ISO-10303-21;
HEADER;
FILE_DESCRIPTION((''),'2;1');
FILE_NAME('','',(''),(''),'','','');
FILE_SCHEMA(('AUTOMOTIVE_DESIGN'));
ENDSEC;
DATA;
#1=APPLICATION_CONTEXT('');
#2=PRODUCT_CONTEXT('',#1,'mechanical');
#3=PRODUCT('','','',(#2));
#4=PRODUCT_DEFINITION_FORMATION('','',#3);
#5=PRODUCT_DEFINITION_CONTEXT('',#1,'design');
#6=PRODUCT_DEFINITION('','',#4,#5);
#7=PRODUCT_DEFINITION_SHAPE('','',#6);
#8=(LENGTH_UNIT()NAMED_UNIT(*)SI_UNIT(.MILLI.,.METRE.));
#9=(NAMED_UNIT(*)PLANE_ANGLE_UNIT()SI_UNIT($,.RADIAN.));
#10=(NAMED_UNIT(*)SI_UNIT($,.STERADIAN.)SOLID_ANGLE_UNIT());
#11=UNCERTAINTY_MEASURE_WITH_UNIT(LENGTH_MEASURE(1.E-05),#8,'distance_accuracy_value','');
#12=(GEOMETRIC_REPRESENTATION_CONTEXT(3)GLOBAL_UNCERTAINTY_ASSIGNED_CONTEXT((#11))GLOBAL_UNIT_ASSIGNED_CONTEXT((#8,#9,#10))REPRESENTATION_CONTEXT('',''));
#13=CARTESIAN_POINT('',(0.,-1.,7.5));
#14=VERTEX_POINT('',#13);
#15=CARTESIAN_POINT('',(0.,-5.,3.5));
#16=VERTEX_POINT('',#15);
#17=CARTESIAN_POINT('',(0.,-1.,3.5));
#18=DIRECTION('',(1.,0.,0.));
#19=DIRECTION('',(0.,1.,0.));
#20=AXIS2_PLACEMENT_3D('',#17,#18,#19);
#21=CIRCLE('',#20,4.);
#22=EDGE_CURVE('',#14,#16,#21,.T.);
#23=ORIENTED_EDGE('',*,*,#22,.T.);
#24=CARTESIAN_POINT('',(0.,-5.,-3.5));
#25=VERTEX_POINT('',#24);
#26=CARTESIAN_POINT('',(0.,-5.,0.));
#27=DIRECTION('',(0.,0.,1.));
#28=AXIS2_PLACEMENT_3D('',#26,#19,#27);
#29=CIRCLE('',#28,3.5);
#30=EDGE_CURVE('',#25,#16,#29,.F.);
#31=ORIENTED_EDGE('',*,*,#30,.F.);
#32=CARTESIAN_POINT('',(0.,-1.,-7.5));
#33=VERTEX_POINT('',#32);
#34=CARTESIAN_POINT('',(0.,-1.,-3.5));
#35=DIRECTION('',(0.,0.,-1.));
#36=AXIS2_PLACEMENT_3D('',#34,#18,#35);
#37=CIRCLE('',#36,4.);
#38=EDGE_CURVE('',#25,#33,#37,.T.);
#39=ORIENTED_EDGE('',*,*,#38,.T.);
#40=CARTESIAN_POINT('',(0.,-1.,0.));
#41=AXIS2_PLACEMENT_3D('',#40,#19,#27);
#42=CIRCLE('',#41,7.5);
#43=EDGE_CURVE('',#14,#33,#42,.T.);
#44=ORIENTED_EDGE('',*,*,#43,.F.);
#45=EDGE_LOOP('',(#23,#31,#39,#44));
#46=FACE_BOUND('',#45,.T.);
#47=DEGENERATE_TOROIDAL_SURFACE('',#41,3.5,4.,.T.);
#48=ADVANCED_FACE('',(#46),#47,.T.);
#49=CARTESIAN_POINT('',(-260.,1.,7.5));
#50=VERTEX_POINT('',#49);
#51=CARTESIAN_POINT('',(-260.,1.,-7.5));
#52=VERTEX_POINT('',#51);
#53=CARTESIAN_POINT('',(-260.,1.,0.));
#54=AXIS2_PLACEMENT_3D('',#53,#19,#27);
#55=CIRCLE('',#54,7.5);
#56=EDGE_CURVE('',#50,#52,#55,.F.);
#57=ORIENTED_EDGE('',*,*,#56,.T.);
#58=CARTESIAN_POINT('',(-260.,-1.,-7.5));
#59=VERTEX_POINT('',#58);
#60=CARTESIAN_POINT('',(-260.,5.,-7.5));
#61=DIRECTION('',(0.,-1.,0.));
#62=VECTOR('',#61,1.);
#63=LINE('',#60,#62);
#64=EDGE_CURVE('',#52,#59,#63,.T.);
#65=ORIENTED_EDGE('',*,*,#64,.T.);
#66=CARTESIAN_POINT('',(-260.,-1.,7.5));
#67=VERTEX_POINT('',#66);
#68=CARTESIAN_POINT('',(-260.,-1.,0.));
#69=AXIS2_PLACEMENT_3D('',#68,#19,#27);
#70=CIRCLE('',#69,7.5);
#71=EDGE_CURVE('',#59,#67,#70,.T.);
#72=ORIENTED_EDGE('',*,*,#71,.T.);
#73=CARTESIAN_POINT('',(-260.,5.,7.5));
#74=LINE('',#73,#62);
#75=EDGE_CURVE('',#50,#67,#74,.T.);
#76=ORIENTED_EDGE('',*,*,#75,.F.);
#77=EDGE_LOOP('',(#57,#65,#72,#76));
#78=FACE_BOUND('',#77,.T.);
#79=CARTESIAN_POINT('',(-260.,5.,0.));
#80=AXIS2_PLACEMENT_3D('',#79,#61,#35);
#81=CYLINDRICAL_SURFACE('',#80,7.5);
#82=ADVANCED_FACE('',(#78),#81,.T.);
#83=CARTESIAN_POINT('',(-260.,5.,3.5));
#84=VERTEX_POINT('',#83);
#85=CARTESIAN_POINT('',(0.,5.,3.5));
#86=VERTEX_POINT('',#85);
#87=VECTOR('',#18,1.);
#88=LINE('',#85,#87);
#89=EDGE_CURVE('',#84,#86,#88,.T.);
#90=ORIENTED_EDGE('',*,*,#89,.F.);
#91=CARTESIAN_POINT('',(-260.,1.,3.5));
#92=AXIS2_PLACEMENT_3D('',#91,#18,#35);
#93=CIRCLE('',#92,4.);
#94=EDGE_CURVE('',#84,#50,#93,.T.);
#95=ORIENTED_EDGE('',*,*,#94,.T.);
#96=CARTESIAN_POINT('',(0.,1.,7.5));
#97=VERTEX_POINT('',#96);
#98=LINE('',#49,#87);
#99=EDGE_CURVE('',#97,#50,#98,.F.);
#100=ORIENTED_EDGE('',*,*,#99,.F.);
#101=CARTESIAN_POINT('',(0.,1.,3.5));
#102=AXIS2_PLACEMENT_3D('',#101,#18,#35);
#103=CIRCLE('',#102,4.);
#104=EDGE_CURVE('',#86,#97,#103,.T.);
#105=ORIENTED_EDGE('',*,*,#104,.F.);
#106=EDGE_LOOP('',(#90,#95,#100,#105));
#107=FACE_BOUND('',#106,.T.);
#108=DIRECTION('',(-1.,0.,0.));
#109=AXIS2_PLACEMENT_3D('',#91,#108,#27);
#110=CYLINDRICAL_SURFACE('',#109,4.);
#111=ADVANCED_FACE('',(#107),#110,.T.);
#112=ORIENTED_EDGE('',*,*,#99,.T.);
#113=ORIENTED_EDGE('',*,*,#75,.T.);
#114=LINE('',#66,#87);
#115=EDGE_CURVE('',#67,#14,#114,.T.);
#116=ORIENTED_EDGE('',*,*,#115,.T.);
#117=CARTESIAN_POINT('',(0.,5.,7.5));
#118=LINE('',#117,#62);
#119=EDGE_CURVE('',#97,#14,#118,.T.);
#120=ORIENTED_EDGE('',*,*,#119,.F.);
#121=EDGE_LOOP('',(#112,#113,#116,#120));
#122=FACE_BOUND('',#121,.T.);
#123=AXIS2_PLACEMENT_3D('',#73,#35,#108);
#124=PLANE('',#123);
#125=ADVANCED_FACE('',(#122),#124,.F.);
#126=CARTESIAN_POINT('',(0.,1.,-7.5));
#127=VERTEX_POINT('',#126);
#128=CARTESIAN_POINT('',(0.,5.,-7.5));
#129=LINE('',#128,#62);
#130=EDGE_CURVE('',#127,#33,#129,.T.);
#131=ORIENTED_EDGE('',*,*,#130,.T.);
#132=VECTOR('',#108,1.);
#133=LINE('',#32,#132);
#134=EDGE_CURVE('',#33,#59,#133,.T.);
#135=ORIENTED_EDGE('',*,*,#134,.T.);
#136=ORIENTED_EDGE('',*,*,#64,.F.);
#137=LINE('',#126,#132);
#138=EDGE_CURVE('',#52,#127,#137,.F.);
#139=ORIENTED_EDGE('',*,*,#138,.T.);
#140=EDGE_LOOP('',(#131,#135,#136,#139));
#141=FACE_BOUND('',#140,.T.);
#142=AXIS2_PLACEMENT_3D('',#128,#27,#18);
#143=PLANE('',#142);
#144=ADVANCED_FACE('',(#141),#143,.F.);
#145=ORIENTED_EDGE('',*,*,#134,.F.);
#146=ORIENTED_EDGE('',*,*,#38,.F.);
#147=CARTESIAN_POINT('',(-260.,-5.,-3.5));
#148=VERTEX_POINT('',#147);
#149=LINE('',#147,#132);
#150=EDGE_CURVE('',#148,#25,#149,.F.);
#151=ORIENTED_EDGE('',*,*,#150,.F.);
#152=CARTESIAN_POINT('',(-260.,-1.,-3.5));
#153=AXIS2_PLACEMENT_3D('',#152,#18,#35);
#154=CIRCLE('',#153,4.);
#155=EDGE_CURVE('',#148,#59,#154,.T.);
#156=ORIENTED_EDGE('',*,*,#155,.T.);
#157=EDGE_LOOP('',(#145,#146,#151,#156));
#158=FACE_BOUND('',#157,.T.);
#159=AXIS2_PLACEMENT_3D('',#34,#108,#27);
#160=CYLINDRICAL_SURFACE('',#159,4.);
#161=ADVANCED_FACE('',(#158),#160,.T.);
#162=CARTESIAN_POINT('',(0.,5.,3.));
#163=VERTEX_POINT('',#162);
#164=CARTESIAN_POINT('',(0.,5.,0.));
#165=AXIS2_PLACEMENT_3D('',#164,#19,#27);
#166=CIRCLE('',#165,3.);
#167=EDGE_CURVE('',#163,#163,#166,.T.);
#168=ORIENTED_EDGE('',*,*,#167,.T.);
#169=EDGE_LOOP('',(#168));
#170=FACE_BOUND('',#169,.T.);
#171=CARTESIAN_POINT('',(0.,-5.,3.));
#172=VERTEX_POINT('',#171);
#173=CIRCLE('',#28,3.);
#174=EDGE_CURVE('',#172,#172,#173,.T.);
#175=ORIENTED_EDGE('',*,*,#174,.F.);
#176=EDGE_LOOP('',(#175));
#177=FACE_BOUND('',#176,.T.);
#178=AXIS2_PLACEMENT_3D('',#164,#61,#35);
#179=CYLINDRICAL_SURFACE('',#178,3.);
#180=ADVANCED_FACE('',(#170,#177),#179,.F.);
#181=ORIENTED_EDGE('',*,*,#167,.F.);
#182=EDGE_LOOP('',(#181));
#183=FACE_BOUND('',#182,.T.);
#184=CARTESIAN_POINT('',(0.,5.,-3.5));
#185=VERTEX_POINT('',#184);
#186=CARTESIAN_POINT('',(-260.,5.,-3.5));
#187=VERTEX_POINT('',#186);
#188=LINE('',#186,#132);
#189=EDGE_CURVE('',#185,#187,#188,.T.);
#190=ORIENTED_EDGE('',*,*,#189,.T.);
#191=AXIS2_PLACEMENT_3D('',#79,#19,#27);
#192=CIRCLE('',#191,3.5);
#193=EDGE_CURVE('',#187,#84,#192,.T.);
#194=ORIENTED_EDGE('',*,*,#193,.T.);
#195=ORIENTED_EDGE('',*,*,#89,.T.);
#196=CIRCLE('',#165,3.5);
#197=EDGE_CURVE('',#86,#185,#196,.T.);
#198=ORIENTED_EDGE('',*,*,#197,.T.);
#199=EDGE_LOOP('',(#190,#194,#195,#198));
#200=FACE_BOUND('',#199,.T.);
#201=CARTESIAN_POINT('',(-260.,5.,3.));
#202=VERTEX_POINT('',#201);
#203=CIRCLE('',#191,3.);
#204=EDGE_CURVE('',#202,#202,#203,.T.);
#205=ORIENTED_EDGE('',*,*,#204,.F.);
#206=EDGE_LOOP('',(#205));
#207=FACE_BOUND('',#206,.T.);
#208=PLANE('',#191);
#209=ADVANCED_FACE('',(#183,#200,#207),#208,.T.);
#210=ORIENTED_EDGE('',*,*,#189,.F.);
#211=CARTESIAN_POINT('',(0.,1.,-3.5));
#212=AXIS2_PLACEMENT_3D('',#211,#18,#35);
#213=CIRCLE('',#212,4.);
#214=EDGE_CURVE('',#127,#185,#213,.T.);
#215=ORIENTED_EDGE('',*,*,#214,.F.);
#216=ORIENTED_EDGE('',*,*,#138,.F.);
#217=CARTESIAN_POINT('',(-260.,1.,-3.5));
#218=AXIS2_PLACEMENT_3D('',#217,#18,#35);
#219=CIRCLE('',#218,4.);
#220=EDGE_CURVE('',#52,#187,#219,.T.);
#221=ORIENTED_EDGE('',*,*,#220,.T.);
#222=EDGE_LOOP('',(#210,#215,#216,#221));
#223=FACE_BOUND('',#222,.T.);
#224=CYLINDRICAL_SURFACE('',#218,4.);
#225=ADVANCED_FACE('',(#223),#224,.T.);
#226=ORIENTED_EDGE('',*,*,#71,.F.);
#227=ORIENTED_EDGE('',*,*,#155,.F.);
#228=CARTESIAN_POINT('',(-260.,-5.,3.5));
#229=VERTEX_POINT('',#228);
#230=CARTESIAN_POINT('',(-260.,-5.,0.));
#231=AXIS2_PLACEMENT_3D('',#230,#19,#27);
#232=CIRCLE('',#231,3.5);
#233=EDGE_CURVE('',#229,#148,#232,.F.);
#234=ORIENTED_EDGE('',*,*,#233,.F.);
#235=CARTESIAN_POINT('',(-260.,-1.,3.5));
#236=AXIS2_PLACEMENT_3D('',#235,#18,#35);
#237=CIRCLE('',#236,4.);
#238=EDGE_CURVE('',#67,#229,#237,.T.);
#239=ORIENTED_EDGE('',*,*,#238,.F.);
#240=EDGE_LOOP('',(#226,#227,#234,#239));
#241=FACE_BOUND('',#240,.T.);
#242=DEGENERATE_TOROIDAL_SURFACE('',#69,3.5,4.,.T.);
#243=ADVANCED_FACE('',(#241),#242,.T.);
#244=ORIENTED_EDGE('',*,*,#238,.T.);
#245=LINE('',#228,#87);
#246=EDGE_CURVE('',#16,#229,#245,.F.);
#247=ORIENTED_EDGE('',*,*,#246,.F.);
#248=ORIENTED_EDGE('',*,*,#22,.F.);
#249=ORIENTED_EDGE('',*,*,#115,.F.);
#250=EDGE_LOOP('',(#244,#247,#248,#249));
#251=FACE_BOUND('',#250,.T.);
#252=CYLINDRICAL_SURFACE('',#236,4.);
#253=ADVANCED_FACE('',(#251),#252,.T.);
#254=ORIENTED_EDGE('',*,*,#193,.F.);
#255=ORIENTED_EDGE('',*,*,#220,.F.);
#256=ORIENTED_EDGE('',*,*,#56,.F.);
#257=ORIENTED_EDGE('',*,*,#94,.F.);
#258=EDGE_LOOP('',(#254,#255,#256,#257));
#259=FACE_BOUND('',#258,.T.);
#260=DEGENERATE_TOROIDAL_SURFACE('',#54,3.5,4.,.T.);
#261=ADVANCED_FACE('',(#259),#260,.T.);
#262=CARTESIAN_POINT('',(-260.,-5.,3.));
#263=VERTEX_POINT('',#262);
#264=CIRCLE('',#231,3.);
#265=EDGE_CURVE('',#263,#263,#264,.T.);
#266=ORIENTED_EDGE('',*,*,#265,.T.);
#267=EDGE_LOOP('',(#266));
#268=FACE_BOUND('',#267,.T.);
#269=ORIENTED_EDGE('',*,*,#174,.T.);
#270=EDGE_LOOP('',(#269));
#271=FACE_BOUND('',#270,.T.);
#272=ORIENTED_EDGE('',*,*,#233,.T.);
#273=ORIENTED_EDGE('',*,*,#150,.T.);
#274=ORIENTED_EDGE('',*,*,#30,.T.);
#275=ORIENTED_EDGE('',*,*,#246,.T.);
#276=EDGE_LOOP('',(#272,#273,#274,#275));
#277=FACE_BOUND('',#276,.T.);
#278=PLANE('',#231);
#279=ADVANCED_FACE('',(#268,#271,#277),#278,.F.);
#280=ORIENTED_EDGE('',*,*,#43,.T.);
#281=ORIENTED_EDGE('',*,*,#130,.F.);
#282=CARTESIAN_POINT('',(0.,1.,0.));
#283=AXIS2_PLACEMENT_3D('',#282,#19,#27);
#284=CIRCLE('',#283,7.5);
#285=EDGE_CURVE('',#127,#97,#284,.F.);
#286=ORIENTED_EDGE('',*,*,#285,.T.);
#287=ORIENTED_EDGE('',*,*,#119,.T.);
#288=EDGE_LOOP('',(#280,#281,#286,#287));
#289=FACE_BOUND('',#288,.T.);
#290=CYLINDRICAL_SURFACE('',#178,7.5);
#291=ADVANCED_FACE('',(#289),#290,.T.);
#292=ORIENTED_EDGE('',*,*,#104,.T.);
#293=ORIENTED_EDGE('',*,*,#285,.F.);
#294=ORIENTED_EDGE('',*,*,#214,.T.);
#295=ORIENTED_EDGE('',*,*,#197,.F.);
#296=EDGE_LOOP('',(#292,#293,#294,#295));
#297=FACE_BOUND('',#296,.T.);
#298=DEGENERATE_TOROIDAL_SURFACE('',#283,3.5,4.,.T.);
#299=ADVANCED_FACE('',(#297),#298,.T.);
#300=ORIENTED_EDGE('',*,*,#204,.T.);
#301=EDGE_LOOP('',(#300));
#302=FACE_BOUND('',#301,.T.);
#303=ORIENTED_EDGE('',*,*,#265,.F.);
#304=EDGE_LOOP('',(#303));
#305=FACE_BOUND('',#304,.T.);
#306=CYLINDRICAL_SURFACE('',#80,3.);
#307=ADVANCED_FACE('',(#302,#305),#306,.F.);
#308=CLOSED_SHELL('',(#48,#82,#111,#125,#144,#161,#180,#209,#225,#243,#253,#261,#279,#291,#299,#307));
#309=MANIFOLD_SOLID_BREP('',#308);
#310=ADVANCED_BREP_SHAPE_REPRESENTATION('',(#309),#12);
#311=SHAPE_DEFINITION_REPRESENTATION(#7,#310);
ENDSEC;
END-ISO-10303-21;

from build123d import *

# Parameters (mm, degrees)
CROQUIS1_R              = 3
SALIENTE_EXTRUIR1_DEPTH = 5
REDONDEO3_R             = 4


with BuildPart() as part:
    # Croquis1 → Saliente-Extruir1 (new, symmetric)
    with BuildSketch(Plane(origin=(0, 0, 0), x_dir=(-1, 0, 0), z_dir=(0, 1, 0))):
        with BuildLine():
            Line((0, -7.5), (260, -7.5))
            ThreePointArc((260, -7.5), (267.5, 0), (260, 7.5))
            Line((260, 7.5), (0, 7.5))
            ThreePointArc((0, 7.5), (-7.5, 0), (0, -7.5))
        make_face()
        with Locations(Location((0, 0, 0), (0, 0, 90))):
            Circle(CROQUIS1_R, mode=Mode.SUBTRACT)
        with Locations(Location((260, 0, 0), (0, 0, 90))):
            Circle(CROQUIS1_R, mode=Mode.SUBTRACT)
    extrude(amount=SALIENTE_EXTRUIR1_DEPTH, both=True)

    # Redondeo3
    redondeo3_edges = [part.edges().sort_by_distance(p)[0] for p in [
        (7.5, 5, 0),
        (-130, 5, -7.5),
        (-267.5, 5, 0),
        (-130, -5, -7.5),
        (7.5, -5, 0),
        (-130, -5, 7.5),
        (-267.5, -5, 0),
        (-130, 5, 7.5),
    ]]
    fillet(redondeo3_edges, radius=REDONDEO3_R)


solid = part.part
